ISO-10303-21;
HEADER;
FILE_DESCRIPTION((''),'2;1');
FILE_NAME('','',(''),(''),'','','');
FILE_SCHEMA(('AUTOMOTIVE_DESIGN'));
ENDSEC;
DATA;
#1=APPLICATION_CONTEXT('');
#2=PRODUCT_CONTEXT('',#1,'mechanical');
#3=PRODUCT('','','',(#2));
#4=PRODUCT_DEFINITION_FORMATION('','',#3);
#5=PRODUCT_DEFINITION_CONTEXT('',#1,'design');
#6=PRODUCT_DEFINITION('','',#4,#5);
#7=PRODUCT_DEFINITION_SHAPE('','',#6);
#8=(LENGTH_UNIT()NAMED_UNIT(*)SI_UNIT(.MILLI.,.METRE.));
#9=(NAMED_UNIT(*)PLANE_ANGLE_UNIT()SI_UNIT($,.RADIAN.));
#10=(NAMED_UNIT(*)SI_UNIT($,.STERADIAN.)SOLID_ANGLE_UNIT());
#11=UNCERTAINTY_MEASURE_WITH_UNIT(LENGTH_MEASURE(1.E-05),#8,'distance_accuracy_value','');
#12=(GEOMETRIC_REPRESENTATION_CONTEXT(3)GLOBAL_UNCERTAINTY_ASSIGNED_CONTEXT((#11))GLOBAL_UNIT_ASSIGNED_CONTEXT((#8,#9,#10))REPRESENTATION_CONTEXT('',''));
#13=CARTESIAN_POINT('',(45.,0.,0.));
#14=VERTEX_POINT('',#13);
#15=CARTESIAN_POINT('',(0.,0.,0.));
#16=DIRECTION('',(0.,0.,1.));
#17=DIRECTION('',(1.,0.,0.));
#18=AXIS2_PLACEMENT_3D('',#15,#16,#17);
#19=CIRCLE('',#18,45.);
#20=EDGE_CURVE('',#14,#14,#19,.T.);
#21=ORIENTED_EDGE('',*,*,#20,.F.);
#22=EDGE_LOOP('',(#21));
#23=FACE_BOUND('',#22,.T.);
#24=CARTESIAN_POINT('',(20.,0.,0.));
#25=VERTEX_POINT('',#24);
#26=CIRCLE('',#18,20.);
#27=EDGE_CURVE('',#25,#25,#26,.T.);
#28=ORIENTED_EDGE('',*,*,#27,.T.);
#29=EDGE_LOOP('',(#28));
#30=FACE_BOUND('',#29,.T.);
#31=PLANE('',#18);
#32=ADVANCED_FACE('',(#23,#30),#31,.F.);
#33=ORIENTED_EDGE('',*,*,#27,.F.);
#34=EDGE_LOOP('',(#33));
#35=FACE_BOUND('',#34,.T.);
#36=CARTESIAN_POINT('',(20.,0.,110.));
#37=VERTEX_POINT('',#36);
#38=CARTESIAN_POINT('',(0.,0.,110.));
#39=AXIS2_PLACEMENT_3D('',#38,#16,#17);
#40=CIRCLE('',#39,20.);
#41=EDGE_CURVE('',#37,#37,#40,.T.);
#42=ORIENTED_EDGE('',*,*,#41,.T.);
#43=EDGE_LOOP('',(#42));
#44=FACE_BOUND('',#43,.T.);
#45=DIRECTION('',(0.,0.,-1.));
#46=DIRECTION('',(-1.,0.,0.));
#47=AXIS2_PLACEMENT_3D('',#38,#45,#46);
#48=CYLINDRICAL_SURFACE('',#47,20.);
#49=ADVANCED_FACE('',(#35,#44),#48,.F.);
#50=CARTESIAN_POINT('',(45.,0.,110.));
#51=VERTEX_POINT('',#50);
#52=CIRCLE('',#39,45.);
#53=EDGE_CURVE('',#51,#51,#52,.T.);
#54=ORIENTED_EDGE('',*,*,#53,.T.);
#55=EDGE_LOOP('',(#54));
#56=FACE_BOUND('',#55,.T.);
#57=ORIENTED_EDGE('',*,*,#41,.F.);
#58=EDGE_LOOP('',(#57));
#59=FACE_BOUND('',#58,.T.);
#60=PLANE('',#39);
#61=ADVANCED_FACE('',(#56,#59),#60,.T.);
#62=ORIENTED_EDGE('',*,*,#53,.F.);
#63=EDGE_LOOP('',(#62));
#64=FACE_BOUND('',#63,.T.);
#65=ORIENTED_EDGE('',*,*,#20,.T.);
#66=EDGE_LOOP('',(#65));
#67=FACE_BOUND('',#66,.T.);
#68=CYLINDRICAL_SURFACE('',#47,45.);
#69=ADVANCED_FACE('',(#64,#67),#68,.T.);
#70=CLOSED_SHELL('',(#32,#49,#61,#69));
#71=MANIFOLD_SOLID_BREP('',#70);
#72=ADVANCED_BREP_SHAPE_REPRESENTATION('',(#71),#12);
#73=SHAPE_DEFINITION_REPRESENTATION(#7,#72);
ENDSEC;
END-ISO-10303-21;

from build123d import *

# Parameters (mm, degrees)
SKETCH_8_R      = 45
SKETCH_8_R_2    = 20
EXTRUDE_1_DEPTH = 110


with BuildPart() as part:
    # 草图8 → 凸台-拉伸1 (new body)
    with BuildSketch(Plane.XY):
        Circle(SKETCH_8_R)
        Circle(SKETCH_8_R_2, mode=Mode.SUBTRACT)
    extrude(amount=EXTRUDE_1_DEPTH)


solid = part.part
